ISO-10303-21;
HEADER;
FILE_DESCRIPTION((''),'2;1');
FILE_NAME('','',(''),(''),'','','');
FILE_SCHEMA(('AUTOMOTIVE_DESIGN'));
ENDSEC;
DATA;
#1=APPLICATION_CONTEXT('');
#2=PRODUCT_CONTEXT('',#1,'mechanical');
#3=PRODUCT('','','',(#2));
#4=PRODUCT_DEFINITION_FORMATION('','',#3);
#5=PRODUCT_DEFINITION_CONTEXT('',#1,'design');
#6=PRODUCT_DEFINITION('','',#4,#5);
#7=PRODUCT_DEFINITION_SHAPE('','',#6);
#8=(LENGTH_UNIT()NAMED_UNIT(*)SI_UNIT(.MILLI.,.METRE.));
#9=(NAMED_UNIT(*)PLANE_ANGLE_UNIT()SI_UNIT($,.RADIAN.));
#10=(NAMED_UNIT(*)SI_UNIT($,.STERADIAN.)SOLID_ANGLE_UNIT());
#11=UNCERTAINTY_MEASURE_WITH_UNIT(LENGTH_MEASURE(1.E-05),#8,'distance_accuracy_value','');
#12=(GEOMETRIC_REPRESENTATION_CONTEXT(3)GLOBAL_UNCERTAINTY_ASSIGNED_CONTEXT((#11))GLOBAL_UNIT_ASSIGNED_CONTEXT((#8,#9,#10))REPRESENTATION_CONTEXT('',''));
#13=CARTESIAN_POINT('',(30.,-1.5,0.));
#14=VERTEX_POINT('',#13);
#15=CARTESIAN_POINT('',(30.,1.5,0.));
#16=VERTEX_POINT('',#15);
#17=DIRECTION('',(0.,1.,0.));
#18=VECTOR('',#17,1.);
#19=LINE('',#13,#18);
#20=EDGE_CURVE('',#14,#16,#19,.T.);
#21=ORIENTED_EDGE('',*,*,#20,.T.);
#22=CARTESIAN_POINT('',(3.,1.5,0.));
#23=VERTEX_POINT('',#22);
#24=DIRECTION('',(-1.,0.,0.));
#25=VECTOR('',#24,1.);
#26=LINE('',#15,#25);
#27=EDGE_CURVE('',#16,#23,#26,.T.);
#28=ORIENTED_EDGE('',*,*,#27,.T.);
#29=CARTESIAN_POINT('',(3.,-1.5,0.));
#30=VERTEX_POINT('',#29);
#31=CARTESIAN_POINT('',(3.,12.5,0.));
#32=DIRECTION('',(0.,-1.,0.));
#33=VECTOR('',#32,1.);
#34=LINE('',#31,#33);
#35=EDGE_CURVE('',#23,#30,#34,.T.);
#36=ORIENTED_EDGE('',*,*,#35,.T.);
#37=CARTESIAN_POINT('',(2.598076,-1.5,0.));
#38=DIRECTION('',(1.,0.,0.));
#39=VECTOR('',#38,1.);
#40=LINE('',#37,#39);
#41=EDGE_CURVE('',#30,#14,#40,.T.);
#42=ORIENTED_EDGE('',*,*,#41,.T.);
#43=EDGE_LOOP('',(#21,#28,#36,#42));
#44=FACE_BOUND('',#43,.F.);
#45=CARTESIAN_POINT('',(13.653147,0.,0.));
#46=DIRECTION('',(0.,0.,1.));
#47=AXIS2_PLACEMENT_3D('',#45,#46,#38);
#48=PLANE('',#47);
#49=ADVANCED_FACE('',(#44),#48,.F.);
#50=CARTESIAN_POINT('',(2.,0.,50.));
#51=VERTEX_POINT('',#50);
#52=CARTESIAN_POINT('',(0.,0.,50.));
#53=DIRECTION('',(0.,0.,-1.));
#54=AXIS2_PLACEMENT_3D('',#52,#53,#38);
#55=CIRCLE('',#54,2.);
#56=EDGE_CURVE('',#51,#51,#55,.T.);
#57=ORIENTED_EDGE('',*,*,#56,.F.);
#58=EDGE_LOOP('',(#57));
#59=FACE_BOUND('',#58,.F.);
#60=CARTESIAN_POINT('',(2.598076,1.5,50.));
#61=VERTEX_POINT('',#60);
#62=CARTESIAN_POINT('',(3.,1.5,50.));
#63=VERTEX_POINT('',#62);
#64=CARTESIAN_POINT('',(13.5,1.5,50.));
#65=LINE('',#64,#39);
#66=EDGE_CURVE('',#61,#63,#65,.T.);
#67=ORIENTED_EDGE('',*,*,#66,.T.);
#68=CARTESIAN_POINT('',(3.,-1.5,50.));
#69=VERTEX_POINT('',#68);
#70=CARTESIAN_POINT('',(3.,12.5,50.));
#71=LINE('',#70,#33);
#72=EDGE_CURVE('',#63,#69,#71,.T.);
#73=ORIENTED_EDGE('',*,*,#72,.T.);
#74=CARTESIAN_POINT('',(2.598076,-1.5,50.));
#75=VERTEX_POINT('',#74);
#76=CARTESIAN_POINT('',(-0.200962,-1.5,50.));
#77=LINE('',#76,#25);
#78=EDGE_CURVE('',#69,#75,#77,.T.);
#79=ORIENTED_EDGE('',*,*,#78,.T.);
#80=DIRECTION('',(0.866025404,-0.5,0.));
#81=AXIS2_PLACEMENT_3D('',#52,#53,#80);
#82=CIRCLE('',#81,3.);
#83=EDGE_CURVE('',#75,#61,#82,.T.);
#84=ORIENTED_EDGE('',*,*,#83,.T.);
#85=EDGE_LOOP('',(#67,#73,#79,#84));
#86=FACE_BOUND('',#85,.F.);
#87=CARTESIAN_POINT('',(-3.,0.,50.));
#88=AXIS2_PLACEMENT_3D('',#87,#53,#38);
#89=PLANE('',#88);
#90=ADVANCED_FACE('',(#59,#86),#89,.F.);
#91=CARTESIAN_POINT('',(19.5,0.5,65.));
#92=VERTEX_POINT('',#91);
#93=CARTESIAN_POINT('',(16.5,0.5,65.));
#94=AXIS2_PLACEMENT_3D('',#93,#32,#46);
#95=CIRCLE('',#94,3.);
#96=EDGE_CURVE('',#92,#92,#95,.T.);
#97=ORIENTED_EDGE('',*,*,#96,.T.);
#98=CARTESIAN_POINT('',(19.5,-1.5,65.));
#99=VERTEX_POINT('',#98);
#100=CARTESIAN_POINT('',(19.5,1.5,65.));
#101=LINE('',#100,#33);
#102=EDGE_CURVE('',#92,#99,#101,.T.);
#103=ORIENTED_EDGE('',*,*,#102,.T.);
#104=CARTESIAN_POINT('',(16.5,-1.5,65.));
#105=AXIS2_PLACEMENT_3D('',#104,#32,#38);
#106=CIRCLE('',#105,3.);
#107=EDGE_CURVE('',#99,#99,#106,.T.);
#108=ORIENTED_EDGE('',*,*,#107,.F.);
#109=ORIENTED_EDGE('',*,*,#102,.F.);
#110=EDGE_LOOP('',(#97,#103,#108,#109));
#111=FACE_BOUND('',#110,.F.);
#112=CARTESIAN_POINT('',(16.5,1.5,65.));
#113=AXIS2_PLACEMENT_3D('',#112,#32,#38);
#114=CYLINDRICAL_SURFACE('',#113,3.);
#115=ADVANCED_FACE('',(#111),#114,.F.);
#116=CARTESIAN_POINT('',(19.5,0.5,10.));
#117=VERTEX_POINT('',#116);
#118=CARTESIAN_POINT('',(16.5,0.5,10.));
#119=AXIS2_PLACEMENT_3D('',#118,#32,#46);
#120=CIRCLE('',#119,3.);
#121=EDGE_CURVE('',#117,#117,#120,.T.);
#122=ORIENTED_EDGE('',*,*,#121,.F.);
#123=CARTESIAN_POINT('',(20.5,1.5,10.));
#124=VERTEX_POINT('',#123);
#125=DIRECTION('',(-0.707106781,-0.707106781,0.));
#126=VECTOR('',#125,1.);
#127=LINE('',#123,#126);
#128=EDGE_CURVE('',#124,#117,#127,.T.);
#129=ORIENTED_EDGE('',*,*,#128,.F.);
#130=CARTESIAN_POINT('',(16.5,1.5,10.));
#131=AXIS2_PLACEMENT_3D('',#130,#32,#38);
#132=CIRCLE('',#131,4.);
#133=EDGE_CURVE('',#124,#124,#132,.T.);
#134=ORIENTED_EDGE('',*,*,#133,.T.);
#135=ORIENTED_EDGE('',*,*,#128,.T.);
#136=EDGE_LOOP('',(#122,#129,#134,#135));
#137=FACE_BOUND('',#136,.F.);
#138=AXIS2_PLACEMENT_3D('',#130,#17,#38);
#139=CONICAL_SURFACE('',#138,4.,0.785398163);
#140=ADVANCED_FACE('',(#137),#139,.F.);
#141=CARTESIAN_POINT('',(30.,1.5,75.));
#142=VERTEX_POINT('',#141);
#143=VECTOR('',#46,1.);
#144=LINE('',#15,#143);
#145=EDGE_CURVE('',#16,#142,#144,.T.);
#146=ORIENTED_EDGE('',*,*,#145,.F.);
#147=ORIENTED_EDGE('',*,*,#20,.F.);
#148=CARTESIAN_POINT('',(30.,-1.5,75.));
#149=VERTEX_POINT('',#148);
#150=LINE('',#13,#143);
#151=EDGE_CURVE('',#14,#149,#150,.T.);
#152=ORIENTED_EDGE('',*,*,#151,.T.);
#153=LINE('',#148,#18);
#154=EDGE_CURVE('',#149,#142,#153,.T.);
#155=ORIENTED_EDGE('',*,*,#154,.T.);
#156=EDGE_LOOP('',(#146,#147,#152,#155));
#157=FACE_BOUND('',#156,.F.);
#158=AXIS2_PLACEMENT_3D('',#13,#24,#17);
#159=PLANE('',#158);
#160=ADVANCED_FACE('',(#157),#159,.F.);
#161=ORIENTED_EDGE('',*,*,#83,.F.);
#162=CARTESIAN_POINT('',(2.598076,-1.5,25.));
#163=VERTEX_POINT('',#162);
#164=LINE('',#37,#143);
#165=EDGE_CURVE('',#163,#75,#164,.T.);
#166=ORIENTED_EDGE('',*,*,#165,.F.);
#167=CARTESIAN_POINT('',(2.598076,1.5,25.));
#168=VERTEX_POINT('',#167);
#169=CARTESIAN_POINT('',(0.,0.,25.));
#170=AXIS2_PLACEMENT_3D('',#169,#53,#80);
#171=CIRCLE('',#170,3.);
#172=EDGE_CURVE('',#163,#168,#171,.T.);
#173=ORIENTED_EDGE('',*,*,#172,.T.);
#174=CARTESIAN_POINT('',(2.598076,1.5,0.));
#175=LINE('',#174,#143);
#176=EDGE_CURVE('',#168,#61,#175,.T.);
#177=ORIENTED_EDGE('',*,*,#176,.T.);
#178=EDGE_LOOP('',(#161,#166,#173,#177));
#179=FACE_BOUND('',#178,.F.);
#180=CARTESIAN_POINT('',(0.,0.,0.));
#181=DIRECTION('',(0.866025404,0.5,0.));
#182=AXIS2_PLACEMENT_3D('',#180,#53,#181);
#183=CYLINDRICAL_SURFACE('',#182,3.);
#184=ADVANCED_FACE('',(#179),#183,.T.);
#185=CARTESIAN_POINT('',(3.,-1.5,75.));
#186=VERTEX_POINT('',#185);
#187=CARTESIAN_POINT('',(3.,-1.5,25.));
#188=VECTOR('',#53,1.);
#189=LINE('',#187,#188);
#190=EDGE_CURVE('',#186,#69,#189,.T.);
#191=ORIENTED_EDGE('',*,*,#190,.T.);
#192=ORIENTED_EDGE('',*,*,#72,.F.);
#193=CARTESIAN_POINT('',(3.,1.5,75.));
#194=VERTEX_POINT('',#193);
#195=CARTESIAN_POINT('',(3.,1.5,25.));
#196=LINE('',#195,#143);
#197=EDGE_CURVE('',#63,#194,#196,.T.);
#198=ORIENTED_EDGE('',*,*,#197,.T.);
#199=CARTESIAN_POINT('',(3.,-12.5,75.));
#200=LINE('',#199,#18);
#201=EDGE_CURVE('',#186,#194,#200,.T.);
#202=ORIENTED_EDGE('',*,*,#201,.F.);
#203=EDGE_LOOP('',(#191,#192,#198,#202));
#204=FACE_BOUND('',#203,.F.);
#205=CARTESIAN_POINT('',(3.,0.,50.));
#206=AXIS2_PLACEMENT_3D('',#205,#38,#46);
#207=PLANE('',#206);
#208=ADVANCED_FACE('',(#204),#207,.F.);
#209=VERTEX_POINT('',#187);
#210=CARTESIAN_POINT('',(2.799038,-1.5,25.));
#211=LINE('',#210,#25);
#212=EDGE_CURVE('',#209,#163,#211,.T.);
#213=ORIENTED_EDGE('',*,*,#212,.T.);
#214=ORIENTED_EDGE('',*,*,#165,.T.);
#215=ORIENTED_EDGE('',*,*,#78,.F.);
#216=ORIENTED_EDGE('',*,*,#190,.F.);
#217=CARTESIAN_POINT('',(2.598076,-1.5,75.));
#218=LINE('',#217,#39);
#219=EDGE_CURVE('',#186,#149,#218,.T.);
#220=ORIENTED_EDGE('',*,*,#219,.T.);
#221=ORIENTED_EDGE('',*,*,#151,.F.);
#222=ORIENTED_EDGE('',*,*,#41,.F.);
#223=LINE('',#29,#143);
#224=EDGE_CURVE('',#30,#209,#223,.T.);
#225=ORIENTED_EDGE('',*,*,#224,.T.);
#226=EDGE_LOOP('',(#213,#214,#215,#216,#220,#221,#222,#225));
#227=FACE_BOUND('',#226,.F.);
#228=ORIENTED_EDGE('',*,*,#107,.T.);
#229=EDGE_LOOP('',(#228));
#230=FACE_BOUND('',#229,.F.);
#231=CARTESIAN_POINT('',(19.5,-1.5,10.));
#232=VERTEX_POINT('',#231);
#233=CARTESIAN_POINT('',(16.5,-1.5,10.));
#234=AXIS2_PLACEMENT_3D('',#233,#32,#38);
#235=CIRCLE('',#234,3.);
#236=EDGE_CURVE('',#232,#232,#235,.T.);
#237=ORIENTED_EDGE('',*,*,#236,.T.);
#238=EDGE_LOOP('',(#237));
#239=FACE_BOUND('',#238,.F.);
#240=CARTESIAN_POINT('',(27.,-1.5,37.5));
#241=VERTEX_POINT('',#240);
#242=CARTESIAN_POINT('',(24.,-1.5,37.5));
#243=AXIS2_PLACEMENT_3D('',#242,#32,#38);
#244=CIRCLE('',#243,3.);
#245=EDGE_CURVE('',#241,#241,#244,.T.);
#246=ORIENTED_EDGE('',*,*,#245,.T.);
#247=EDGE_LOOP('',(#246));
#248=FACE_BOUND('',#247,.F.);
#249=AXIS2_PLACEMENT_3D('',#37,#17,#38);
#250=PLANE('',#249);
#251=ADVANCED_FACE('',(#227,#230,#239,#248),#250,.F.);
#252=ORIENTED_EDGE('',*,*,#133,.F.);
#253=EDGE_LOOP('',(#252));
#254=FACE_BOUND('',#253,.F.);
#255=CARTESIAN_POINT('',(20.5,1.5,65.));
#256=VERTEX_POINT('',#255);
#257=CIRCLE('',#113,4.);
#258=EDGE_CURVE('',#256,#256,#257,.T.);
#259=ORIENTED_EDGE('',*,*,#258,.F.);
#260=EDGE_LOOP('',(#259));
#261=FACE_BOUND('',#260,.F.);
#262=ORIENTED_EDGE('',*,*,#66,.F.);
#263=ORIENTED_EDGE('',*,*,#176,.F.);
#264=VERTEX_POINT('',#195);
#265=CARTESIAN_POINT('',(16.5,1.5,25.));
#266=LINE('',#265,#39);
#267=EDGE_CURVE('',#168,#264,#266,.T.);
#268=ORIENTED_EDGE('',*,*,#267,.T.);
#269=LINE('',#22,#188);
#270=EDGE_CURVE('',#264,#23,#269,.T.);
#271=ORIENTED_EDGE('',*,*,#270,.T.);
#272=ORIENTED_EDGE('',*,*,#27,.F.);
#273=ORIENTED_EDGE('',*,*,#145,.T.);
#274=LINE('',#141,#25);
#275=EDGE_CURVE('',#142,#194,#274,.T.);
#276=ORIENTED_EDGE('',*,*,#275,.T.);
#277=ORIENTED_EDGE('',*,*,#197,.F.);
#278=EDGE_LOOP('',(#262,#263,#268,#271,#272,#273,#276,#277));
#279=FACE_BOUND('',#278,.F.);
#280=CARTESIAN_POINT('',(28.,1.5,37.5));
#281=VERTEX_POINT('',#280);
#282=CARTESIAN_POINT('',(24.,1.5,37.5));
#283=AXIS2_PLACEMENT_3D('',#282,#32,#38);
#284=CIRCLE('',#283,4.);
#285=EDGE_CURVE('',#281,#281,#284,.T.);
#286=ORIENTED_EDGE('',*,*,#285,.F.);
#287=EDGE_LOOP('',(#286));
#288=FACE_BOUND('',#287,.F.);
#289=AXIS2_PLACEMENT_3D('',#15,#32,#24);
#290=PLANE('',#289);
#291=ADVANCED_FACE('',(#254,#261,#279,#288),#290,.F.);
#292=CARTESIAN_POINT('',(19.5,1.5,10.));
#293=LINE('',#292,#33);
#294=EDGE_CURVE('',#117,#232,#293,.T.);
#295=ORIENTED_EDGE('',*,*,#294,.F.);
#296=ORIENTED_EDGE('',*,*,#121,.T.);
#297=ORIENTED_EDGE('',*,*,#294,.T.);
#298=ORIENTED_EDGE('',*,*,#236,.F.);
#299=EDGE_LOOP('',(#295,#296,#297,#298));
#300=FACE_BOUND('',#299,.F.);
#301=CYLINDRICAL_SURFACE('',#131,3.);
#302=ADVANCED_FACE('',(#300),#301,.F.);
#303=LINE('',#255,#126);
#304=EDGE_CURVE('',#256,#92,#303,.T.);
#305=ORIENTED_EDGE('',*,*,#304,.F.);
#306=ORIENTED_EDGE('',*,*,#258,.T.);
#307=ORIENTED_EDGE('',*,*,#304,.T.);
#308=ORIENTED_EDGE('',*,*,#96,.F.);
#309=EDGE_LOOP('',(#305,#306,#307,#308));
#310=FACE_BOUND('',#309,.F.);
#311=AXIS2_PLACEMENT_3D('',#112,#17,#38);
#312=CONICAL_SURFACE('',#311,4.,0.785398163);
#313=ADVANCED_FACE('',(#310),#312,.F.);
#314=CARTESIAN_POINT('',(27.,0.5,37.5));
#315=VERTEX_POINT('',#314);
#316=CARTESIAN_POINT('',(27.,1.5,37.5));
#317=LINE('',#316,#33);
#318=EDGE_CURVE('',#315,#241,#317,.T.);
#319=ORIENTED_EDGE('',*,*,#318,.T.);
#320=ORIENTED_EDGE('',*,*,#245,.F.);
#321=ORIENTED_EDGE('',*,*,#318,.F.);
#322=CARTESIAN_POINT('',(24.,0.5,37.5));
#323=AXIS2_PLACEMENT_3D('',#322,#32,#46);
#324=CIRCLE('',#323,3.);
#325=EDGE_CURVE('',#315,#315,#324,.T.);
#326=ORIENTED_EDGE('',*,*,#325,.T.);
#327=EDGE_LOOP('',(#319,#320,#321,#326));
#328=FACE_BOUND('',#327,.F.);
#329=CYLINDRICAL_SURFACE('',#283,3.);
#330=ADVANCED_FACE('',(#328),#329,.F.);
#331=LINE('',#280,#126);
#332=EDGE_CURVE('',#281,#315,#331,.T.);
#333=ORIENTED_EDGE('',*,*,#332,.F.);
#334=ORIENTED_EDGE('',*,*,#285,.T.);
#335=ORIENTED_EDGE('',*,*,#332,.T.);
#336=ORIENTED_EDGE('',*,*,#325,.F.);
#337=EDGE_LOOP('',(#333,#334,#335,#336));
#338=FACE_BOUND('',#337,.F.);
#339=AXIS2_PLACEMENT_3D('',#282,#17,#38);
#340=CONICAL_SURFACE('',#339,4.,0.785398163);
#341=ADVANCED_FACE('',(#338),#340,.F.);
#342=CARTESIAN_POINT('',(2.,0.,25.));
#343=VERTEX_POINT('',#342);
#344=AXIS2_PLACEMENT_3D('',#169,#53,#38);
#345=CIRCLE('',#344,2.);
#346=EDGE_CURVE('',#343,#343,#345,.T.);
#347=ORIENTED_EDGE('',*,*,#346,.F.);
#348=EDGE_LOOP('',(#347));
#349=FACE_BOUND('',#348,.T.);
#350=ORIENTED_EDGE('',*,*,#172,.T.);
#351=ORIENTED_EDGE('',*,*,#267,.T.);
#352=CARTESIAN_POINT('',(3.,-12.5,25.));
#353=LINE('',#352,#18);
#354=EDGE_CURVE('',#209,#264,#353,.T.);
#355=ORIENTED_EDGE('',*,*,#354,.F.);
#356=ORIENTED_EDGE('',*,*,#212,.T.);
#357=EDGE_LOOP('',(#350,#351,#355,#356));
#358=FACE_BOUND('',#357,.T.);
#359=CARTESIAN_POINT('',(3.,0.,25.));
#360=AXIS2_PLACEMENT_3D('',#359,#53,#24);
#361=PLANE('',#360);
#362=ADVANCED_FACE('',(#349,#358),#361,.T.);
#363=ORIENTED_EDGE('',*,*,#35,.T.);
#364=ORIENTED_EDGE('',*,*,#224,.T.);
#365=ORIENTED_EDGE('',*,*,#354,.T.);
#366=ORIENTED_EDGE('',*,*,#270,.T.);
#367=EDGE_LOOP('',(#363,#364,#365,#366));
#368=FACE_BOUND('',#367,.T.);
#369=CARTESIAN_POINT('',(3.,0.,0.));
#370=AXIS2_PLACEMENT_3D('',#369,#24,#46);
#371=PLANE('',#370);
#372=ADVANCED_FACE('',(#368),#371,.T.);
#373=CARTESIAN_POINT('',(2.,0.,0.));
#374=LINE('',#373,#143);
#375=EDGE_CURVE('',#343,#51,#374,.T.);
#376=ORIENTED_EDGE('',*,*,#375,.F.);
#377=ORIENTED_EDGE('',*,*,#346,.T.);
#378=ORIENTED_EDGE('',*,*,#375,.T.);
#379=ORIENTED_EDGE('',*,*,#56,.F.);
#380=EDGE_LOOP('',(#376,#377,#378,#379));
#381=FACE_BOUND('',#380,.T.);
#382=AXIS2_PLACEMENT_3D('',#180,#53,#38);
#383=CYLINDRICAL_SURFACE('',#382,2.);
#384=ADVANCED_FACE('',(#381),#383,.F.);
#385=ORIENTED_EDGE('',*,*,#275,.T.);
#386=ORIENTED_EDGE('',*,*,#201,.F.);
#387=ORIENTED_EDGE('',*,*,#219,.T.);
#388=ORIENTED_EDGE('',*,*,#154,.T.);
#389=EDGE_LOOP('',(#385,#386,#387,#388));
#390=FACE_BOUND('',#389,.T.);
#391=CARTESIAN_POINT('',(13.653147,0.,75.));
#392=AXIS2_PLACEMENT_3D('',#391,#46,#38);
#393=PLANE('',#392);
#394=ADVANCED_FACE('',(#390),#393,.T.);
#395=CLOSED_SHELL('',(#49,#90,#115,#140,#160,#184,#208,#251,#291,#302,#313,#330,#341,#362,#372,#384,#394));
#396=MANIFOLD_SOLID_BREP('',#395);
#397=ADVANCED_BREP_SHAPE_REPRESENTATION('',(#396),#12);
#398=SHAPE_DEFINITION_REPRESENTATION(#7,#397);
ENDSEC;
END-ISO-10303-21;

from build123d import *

# Parameters (mm, degrees)
F0_R           = 2
F1_DEPTH       = 75
F2_W           = 3
F2_H           = 25
F3_DEPTH       = 12.5
F5_D           = 6
F5_CSINK_D     = 8
F5_CSINK_ANGLE = 90


with BuildPart() as f1:
    # F0 (on Top) → F1 (new body)
    with BuildSketch(Plane.XY):
        with BuildLine():
            Line((30, 1.5), (2.5980762114, 1.5))
            ThreePointArc((2.5980762114, 1.5), (-3, 0), (2.5980762114, -1.5))
            Line((2.5980762114, -1.5), (30, -1.5))
            Line((30, -1.5), (30, 1.5))
        make_face()
        Circle(F0_R, mode=Mode.SUBTRACT)
    extrude(amount=F1_DEPTH)

    # F2 (on Front) → F3 (cut, symmetric)
    with BuildSketch(Plane.XZ):
        with Locations((-1.5, 12.5)):
            Rectangle(F2_W, F2_H)
        with Locations((1.5, 12.5)):
            Rectangle(F2_W, F2_H)
        with Locations((-1.5, 62.5)):
            Rectangle(F2_W, F2_H)
        with Locations((1.5, 62.5)):
            Rectangle(F2_W, F2_H)
    extrude(amount=F3_DEPTH, both=True, mode=Mode.SUBTRACT)

    # F5 (through all)
    with Locations(Plane(origin=(0, 1.5, 0), x_dir=(-1, 0, 0), z_dir=(0, 1, 0))):
        with Locations((-16.5, 65), (-24, 37.5), (-16.5, 10)):
            CounterSinkHole(F5_D / 2, F5_CSINK_D / 2, counter_sink_angle=F5_CSINK_ANGLE)


solid = f1.part
